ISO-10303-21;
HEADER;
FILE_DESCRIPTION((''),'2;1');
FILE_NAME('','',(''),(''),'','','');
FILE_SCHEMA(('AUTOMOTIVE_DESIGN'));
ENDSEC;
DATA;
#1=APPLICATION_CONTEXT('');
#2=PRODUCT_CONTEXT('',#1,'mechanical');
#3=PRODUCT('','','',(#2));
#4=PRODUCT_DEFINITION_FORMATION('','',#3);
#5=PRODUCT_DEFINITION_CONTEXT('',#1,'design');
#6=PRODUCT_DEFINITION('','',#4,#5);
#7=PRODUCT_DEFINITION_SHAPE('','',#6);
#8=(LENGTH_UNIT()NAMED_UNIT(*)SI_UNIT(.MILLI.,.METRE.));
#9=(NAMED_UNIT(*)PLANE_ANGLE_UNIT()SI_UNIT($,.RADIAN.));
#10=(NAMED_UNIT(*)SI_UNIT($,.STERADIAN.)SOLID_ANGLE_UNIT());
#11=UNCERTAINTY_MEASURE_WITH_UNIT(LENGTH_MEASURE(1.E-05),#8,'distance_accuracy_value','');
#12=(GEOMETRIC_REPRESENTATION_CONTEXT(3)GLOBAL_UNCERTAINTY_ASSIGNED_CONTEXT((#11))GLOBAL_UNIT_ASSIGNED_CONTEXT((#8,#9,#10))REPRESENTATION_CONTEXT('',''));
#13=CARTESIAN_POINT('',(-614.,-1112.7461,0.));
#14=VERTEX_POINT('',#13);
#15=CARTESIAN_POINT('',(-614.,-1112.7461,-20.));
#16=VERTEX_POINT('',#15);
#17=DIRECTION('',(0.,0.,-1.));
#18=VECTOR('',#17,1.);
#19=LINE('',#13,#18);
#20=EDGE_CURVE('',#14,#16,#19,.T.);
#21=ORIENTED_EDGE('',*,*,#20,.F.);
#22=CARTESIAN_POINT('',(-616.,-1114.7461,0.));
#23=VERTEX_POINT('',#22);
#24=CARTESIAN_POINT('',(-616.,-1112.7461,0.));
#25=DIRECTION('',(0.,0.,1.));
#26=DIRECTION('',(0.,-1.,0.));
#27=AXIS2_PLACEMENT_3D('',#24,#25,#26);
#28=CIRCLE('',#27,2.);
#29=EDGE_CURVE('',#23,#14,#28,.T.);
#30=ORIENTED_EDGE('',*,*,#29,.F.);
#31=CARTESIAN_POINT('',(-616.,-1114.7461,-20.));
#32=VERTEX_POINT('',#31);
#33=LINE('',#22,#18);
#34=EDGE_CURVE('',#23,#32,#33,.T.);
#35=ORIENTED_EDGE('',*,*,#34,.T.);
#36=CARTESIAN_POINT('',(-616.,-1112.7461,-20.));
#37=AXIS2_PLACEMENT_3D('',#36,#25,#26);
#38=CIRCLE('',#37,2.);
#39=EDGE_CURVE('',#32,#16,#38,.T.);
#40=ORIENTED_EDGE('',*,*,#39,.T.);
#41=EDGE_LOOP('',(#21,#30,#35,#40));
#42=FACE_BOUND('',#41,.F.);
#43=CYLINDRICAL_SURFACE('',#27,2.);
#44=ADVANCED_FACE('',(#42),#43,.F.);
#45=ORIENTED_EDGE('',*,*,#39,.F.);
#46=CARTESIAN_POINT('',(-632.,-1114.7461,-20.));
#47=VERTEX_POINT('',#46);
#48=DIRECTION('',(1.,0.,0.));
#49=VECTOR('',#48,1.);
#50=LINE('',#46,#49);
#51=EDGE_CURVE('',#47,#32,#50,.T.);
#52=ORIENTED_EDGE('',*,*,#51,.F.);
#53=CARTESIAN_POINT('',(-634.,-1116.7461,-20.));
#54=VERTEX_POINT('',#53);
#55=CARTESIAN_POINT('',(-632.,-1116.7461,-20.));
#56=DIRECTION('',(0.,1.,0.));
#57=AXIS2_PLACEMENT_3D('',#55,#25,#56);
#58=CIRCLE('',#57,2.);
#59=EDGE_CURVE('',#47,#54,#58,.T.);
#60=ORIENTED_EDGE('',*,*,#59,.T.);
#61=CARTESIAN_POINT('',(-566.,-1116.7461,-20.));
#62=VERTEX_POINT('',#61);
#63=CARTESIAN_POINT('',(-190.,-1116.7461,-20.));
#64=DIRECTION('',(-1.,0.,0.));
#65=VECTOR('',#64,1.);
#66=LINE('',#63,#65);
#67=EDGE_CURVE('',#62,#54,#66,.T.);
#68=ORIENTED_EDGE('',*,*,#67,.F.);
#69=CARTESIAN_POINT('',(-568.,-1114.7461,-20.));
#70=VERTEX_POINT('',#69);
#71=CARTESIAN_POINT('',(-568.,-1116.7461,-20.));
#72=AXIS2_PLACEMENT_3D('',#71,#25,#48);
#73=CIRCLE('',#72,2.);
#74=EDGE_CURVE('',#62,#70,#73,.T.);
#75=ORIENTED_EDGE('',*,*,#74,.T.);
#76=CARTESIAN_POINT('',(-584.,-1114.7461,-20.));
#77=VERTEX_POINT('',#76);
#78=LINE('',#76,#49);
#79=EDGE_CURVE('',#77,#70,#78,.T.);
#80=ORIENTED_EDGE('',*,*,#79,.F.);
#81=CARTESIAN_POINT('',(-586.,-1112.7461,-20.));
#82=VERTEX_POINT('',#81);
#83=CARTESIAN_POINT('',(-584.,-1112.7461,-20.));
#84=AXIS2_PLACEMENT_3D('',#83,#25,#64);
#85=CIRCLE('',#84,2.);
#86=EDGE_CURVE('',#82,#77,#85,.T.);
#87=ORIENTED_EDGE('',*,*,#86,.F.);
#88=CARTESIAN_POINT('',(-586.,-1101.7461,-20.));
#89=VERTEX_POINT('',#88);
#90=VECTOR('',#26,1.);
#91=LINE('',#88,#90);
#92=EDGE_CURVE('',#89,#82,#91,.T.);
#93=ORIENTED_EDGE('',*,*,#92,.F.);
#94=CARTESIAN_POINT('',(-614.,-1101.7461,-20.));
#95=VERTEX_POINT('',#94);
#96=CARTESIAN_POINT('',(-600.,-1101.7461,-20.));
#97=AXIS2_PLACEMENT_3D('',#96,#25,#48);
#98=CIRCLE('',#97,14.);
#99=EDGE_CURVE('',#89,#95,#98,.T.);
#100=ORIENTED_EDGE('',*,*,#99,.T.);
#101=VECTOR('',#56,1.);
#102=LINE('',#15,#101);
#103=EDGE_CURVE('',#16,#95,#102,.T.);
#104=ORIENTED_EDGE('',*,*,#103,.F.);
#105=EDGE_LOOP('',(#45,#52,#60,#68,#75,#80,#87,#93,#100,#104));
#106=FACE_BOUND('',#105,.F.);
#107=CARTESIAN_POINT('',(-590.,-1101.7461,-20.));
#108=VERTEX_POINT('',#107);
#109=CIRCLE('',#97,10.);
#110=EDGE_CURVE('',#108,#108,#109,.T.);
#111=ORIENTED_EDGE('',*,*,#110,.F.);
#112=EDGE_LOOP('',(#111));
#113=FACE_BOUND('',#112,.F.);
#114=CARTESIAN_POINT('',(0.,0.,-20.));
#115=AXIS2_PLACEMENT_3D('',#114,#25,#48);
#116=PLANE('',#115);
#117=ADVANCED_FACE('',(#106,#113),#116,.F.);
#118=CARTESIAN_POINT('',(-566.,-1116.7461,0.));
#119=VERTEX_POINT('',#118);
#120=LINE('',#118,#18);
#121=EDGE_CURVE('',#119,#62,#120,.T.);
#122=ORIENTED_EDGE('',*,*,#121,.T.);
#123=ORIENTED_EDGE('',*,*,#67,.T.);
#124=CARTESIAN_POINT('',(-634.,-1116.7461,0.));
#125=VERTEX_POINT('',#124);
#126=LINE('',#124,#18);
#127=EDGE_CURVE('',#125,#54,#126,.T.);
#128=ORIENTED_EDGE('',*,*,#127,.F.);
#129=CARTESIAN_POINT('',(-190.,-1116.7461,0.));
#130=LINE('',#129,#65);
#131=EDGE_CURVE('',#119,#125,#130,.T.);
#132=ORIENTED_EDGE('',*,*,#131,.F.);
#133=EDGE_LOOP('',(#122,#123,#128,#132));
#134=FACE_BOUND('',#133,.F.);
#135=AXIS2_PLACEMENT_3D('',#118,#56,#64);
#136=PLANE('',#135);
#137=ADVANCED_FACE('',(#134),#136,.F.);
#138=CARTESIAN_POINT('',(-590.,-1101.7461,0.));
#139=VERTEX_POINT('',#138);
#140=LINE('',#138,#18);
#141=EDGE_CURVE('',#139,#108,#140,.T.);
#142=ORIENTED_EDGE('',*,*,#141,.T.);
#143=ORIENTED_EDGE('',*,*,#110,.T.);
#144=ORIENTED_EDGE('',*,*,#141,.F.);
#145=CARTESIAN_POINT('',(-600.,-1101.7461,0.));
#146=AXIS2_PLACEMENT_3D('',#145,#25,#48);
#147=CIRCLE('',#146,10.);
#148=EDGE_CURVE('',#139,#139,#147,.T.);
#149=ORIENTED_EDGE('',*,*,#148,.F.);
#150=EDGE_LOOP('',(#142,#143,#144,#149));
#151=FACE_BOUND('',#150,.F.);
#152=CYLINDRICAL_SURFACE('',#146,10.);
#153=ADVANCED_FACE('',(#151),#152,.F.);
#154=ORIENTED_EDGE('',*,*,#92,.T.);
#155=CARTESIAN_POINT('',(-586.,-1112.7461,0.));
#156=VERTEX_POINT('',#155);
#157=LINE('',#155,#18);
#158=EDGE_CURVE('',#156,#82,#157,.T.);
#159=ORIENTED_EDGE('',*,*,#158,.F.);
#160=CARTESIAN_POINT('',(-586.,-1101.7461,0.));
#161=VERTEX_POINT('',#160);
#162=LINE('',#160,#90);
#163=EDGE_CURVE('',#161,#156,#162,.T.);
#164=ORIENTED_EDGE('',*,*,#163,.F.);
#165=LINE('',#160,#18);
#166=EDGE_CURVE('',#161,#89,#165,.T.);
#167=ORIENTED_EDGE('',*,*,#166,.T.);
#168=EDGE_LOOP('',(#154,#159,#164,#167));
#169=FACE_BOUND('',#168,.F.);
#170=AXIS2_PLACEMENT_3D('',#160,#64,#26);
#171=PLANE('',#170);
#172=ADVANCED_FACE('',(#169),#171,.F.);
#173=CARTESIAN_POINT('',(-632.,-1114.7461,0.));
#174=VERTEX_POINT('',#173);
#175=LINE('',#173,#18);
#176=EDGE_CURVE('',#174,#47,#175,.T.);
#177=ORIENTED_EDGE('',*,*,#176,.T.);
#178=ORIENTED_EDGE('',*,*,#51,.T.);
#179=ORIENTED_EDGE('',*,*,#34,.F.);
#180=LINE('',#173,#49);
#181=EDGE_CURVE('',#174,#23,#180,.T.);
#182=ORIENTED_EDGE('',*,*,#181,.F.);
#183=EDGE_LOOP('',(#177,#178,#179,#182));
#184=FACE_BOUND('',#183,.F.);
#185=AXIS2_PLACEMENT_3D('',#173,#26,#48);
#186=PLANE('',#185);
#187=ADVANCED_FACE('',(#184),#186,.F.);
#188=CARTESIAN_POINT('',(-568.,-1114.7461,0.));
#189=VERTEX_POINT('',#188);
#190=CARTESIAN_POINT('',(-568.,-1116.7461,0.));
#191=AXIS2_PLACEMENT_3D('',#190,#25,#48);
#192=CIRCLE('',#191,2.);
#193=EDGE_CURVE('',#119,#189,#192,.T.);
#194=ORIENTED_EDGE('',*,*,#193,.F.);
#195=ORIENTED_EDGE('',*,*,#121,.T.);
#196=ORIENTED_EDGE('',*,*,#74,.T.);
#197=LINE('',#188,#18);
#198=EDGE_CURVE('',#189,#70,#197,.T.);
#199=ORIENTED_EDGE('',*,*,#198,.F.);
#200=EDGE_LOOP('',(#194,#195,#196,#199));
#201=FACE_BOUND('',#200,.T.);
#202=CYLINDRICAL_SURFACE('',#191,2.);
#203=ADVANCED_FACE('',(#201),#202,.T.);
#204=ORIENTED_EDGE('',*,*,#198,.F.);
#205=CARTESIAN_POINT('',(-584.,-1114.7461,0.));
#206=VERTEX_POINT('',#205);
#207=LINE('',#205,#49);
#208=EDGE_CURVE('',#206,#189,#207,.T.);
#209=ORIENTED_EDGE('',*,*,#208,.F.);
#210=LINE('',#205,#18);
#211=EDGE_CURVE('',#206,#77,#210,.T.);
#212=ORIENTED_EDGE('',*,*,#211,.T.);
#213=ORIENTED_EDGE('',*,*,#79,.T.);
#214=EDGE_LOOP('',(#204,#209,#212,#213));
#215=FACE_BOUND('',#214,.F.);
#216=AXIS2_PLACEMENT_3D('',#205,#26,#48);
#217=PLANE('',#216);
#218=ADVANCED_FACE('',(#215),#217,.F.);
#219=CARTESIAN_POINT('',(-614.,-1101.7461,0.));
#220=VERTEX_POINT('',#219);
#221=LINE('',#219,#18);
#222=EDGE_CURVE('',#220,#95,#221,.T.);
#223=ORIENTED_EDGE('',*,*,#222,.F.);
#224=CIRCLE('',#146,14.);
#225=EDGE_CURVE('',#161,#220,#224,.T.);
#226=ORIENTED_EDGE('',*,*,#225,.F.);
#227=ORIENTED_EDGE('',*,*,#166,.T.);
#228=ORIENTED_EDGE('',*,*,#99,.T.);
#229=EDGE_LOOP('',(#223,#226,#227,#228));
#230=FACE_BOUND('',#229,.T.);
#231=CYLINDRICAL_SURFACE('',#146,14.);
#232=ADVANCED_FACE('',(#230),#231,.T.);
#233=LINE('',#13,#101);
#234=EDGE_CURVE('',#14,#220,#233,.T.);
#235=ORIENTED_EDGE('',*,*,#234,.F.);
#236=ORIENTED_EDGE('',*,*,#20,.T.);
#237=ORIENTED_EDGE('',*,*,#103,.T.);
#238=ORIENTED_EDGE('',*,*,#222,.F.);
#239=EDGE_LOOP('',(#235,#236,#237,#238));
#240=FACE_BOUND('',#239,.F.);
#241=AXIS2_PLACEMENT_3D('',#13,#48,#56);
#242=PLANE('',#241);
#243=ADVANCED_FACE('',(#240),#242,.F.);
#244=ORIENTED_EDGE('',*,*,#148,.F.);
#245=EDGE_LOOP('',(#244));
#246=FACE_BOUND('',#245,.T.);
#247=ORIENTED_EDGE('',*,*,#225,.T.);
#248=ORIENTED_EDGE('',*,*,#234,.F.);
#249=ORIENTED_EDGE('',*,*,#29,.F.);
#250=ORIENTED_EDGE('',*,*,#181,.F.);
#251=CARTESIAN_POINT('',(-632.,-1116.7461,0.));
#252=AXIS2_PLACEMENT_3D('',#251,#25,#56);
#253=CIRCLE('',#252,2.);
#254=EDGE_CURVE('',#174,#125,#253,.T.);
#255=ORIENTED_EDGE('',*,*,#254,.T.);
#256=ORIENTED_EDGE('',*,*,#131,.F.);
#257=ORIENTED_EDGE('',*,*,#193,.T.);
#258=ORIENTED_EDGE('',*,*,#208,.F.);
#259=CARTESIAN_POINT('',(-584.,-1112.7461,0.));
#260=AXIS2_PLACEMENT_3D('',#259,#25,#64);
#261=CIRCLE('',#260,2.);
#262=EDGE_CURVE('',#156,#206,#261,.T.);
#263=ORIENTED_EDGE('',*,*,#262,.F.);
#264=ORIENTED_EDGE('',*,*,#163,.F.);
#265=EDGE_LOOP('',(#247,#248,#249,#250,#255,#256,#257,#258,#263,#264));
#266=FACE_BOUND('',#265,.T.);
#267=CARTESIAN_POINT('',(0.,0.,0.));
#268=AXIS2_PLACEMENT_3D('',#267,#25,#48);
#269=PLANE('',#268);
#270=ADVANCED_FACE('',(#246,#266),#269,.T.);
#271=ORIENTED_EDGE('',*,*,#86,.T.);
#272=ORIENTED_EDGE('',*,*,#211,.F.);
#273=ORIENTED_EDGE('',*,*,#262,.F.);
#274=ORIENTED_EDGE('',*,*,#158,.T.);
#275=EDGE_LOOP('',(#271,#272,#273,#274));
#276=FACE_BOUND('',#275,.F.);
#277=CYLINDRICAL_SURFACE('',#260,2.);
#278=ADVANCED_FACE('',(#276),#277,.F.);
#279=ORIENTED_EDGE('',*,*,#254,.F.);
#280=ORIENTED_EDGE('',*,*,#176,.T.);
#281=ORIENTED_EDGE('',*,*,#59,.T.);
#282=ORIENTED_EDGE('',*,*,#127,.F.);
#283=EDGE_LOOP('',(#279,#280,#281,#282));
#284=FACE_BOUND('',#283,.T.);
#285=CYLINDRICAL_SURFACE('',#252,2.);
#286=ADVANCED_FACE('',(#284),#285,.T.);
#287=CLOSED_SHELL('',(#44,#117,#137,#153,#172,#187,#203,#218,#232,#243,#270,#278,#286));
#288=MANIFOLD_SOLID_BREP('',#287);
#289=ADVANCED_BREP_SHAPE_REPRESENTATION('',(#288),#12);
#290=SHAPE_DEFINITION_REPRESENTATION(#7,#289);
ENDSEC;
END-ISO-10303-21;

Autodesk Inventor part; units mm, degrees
ref_plane "YZ Plane" through (0, 0, 0) normal (1, 0, 0) x (0, 1, 0)
ref_plane "XZ Plane" through (0, 0, 0) normal (0, 1, 0) x (-1, 0, 0)
ref_plane "XY Plane" through (0, 0, 0) normal (0, 0, 1) x (1, 0, 0)
sketch "Sketch1" plane through (0, 0, 0) normal (0, 0, 1) x (1, 0, 0)
  line L0 (-190, -896.7461) -> (-190, -1116.7461) projected
  line L1 (-190, -1116.7461) -> (-710, -1116.7461) projected
  line L2 (-710, -1116.7461) -> (-710, -896.7461) projected
  line L3 (-710, -896.7461) -> (-190, -896.7461) projected
  line L4 (-150, -20) -> (150, -20) projected
  line L5 (150, -20) -> (150, 20) projected
  line L6 (150, 20) -> (-190, 20) projected
  line L7 (-190, 20) -> (-190, -856.7461) projected
  line L8 (-190, -856.7461) -> (-710, -856.7461) projected
  line L9 (-710, -856.7461) -> (-710, 20) projected
  arc A0 (-710, 20) -> (-1028.8395, 243.2539) centre (-947.5818, 20) ccw projected
  line L10 (-1028.8395, 243.2539) -> (-1015.1587, 205.6661) projected
  arc A1 (-750, 20) -> (-1015.1587, 205.6661) centre (-947.5818, 20) ccw projected
  line L11 (-750, 20) -> (-750, -1156.7461) projected
  line L12 (-750, -1156.7461) -> (-150, -1156.7461) projected
  line L13 (-150, -1156.7461) -> (-150, -20) projected
  line L14 (-634, -1116.7461) -> (-634, -1116.7461)
  line L15 (-632, -1114.7461) -> (-616, -1114.7461)
  line L16 (-614, -1112.7461) -> (-614, -1101.7461)
  arc A2 (-586, -1101.7461) -> (-614, -1101.7461) centre (-600, -1101.7461) ccw
  line L17 (-586, -1101.7461) -> (-586, -1112.7461)
  line L18 (-584, -1114.7461) -> (-568, -1114.7461)
  line L19 (-566, -1116.7461) -> (-566, -1116.7461)
  circle A3 centre (-600, -1101.7461) radius 10
  arc A4 (-586, -1112.7461) -> (-584, -1114.7461) centre (-584, -1112.7461) ccw
  arc A5 (-616, -1114.7461) -> (-614, -1112.7461) centre (-616, -1112.7461) ccw
  arc A6 (-566, -1116.7461) -> (-568, -1114.7461) centre (-568, -1116.7461) ccw
  arc A7 (-632, -1114.7461) -> (-634, -1116.7461) centre (-632, -1116.7461) ccw
  point P0 (0, 0)
  point P1 (-634, -1114.7461)
  point P2 (-614, -1114.7461)
  point P3 (-586, -1114.7461)
  point P4 (-566, -1114.7461)
  dimension "d0" = 20
  dimension "d1" = 2
  dimension "d2" = 4
  dimension "d3" = 20
  dimension "d4" = 20
  dimension "d5" = 15
  dimension "d6" = 150
  dimension "d7" = 2
extrude "Extrusion1" add sketch "Sketch1" against normal blind 20 contours L1 A7 L15 A5 L16 A2 L17 A4 L18 A6
equation "\"d4\" = d3"
properties part number "asKogellager"
